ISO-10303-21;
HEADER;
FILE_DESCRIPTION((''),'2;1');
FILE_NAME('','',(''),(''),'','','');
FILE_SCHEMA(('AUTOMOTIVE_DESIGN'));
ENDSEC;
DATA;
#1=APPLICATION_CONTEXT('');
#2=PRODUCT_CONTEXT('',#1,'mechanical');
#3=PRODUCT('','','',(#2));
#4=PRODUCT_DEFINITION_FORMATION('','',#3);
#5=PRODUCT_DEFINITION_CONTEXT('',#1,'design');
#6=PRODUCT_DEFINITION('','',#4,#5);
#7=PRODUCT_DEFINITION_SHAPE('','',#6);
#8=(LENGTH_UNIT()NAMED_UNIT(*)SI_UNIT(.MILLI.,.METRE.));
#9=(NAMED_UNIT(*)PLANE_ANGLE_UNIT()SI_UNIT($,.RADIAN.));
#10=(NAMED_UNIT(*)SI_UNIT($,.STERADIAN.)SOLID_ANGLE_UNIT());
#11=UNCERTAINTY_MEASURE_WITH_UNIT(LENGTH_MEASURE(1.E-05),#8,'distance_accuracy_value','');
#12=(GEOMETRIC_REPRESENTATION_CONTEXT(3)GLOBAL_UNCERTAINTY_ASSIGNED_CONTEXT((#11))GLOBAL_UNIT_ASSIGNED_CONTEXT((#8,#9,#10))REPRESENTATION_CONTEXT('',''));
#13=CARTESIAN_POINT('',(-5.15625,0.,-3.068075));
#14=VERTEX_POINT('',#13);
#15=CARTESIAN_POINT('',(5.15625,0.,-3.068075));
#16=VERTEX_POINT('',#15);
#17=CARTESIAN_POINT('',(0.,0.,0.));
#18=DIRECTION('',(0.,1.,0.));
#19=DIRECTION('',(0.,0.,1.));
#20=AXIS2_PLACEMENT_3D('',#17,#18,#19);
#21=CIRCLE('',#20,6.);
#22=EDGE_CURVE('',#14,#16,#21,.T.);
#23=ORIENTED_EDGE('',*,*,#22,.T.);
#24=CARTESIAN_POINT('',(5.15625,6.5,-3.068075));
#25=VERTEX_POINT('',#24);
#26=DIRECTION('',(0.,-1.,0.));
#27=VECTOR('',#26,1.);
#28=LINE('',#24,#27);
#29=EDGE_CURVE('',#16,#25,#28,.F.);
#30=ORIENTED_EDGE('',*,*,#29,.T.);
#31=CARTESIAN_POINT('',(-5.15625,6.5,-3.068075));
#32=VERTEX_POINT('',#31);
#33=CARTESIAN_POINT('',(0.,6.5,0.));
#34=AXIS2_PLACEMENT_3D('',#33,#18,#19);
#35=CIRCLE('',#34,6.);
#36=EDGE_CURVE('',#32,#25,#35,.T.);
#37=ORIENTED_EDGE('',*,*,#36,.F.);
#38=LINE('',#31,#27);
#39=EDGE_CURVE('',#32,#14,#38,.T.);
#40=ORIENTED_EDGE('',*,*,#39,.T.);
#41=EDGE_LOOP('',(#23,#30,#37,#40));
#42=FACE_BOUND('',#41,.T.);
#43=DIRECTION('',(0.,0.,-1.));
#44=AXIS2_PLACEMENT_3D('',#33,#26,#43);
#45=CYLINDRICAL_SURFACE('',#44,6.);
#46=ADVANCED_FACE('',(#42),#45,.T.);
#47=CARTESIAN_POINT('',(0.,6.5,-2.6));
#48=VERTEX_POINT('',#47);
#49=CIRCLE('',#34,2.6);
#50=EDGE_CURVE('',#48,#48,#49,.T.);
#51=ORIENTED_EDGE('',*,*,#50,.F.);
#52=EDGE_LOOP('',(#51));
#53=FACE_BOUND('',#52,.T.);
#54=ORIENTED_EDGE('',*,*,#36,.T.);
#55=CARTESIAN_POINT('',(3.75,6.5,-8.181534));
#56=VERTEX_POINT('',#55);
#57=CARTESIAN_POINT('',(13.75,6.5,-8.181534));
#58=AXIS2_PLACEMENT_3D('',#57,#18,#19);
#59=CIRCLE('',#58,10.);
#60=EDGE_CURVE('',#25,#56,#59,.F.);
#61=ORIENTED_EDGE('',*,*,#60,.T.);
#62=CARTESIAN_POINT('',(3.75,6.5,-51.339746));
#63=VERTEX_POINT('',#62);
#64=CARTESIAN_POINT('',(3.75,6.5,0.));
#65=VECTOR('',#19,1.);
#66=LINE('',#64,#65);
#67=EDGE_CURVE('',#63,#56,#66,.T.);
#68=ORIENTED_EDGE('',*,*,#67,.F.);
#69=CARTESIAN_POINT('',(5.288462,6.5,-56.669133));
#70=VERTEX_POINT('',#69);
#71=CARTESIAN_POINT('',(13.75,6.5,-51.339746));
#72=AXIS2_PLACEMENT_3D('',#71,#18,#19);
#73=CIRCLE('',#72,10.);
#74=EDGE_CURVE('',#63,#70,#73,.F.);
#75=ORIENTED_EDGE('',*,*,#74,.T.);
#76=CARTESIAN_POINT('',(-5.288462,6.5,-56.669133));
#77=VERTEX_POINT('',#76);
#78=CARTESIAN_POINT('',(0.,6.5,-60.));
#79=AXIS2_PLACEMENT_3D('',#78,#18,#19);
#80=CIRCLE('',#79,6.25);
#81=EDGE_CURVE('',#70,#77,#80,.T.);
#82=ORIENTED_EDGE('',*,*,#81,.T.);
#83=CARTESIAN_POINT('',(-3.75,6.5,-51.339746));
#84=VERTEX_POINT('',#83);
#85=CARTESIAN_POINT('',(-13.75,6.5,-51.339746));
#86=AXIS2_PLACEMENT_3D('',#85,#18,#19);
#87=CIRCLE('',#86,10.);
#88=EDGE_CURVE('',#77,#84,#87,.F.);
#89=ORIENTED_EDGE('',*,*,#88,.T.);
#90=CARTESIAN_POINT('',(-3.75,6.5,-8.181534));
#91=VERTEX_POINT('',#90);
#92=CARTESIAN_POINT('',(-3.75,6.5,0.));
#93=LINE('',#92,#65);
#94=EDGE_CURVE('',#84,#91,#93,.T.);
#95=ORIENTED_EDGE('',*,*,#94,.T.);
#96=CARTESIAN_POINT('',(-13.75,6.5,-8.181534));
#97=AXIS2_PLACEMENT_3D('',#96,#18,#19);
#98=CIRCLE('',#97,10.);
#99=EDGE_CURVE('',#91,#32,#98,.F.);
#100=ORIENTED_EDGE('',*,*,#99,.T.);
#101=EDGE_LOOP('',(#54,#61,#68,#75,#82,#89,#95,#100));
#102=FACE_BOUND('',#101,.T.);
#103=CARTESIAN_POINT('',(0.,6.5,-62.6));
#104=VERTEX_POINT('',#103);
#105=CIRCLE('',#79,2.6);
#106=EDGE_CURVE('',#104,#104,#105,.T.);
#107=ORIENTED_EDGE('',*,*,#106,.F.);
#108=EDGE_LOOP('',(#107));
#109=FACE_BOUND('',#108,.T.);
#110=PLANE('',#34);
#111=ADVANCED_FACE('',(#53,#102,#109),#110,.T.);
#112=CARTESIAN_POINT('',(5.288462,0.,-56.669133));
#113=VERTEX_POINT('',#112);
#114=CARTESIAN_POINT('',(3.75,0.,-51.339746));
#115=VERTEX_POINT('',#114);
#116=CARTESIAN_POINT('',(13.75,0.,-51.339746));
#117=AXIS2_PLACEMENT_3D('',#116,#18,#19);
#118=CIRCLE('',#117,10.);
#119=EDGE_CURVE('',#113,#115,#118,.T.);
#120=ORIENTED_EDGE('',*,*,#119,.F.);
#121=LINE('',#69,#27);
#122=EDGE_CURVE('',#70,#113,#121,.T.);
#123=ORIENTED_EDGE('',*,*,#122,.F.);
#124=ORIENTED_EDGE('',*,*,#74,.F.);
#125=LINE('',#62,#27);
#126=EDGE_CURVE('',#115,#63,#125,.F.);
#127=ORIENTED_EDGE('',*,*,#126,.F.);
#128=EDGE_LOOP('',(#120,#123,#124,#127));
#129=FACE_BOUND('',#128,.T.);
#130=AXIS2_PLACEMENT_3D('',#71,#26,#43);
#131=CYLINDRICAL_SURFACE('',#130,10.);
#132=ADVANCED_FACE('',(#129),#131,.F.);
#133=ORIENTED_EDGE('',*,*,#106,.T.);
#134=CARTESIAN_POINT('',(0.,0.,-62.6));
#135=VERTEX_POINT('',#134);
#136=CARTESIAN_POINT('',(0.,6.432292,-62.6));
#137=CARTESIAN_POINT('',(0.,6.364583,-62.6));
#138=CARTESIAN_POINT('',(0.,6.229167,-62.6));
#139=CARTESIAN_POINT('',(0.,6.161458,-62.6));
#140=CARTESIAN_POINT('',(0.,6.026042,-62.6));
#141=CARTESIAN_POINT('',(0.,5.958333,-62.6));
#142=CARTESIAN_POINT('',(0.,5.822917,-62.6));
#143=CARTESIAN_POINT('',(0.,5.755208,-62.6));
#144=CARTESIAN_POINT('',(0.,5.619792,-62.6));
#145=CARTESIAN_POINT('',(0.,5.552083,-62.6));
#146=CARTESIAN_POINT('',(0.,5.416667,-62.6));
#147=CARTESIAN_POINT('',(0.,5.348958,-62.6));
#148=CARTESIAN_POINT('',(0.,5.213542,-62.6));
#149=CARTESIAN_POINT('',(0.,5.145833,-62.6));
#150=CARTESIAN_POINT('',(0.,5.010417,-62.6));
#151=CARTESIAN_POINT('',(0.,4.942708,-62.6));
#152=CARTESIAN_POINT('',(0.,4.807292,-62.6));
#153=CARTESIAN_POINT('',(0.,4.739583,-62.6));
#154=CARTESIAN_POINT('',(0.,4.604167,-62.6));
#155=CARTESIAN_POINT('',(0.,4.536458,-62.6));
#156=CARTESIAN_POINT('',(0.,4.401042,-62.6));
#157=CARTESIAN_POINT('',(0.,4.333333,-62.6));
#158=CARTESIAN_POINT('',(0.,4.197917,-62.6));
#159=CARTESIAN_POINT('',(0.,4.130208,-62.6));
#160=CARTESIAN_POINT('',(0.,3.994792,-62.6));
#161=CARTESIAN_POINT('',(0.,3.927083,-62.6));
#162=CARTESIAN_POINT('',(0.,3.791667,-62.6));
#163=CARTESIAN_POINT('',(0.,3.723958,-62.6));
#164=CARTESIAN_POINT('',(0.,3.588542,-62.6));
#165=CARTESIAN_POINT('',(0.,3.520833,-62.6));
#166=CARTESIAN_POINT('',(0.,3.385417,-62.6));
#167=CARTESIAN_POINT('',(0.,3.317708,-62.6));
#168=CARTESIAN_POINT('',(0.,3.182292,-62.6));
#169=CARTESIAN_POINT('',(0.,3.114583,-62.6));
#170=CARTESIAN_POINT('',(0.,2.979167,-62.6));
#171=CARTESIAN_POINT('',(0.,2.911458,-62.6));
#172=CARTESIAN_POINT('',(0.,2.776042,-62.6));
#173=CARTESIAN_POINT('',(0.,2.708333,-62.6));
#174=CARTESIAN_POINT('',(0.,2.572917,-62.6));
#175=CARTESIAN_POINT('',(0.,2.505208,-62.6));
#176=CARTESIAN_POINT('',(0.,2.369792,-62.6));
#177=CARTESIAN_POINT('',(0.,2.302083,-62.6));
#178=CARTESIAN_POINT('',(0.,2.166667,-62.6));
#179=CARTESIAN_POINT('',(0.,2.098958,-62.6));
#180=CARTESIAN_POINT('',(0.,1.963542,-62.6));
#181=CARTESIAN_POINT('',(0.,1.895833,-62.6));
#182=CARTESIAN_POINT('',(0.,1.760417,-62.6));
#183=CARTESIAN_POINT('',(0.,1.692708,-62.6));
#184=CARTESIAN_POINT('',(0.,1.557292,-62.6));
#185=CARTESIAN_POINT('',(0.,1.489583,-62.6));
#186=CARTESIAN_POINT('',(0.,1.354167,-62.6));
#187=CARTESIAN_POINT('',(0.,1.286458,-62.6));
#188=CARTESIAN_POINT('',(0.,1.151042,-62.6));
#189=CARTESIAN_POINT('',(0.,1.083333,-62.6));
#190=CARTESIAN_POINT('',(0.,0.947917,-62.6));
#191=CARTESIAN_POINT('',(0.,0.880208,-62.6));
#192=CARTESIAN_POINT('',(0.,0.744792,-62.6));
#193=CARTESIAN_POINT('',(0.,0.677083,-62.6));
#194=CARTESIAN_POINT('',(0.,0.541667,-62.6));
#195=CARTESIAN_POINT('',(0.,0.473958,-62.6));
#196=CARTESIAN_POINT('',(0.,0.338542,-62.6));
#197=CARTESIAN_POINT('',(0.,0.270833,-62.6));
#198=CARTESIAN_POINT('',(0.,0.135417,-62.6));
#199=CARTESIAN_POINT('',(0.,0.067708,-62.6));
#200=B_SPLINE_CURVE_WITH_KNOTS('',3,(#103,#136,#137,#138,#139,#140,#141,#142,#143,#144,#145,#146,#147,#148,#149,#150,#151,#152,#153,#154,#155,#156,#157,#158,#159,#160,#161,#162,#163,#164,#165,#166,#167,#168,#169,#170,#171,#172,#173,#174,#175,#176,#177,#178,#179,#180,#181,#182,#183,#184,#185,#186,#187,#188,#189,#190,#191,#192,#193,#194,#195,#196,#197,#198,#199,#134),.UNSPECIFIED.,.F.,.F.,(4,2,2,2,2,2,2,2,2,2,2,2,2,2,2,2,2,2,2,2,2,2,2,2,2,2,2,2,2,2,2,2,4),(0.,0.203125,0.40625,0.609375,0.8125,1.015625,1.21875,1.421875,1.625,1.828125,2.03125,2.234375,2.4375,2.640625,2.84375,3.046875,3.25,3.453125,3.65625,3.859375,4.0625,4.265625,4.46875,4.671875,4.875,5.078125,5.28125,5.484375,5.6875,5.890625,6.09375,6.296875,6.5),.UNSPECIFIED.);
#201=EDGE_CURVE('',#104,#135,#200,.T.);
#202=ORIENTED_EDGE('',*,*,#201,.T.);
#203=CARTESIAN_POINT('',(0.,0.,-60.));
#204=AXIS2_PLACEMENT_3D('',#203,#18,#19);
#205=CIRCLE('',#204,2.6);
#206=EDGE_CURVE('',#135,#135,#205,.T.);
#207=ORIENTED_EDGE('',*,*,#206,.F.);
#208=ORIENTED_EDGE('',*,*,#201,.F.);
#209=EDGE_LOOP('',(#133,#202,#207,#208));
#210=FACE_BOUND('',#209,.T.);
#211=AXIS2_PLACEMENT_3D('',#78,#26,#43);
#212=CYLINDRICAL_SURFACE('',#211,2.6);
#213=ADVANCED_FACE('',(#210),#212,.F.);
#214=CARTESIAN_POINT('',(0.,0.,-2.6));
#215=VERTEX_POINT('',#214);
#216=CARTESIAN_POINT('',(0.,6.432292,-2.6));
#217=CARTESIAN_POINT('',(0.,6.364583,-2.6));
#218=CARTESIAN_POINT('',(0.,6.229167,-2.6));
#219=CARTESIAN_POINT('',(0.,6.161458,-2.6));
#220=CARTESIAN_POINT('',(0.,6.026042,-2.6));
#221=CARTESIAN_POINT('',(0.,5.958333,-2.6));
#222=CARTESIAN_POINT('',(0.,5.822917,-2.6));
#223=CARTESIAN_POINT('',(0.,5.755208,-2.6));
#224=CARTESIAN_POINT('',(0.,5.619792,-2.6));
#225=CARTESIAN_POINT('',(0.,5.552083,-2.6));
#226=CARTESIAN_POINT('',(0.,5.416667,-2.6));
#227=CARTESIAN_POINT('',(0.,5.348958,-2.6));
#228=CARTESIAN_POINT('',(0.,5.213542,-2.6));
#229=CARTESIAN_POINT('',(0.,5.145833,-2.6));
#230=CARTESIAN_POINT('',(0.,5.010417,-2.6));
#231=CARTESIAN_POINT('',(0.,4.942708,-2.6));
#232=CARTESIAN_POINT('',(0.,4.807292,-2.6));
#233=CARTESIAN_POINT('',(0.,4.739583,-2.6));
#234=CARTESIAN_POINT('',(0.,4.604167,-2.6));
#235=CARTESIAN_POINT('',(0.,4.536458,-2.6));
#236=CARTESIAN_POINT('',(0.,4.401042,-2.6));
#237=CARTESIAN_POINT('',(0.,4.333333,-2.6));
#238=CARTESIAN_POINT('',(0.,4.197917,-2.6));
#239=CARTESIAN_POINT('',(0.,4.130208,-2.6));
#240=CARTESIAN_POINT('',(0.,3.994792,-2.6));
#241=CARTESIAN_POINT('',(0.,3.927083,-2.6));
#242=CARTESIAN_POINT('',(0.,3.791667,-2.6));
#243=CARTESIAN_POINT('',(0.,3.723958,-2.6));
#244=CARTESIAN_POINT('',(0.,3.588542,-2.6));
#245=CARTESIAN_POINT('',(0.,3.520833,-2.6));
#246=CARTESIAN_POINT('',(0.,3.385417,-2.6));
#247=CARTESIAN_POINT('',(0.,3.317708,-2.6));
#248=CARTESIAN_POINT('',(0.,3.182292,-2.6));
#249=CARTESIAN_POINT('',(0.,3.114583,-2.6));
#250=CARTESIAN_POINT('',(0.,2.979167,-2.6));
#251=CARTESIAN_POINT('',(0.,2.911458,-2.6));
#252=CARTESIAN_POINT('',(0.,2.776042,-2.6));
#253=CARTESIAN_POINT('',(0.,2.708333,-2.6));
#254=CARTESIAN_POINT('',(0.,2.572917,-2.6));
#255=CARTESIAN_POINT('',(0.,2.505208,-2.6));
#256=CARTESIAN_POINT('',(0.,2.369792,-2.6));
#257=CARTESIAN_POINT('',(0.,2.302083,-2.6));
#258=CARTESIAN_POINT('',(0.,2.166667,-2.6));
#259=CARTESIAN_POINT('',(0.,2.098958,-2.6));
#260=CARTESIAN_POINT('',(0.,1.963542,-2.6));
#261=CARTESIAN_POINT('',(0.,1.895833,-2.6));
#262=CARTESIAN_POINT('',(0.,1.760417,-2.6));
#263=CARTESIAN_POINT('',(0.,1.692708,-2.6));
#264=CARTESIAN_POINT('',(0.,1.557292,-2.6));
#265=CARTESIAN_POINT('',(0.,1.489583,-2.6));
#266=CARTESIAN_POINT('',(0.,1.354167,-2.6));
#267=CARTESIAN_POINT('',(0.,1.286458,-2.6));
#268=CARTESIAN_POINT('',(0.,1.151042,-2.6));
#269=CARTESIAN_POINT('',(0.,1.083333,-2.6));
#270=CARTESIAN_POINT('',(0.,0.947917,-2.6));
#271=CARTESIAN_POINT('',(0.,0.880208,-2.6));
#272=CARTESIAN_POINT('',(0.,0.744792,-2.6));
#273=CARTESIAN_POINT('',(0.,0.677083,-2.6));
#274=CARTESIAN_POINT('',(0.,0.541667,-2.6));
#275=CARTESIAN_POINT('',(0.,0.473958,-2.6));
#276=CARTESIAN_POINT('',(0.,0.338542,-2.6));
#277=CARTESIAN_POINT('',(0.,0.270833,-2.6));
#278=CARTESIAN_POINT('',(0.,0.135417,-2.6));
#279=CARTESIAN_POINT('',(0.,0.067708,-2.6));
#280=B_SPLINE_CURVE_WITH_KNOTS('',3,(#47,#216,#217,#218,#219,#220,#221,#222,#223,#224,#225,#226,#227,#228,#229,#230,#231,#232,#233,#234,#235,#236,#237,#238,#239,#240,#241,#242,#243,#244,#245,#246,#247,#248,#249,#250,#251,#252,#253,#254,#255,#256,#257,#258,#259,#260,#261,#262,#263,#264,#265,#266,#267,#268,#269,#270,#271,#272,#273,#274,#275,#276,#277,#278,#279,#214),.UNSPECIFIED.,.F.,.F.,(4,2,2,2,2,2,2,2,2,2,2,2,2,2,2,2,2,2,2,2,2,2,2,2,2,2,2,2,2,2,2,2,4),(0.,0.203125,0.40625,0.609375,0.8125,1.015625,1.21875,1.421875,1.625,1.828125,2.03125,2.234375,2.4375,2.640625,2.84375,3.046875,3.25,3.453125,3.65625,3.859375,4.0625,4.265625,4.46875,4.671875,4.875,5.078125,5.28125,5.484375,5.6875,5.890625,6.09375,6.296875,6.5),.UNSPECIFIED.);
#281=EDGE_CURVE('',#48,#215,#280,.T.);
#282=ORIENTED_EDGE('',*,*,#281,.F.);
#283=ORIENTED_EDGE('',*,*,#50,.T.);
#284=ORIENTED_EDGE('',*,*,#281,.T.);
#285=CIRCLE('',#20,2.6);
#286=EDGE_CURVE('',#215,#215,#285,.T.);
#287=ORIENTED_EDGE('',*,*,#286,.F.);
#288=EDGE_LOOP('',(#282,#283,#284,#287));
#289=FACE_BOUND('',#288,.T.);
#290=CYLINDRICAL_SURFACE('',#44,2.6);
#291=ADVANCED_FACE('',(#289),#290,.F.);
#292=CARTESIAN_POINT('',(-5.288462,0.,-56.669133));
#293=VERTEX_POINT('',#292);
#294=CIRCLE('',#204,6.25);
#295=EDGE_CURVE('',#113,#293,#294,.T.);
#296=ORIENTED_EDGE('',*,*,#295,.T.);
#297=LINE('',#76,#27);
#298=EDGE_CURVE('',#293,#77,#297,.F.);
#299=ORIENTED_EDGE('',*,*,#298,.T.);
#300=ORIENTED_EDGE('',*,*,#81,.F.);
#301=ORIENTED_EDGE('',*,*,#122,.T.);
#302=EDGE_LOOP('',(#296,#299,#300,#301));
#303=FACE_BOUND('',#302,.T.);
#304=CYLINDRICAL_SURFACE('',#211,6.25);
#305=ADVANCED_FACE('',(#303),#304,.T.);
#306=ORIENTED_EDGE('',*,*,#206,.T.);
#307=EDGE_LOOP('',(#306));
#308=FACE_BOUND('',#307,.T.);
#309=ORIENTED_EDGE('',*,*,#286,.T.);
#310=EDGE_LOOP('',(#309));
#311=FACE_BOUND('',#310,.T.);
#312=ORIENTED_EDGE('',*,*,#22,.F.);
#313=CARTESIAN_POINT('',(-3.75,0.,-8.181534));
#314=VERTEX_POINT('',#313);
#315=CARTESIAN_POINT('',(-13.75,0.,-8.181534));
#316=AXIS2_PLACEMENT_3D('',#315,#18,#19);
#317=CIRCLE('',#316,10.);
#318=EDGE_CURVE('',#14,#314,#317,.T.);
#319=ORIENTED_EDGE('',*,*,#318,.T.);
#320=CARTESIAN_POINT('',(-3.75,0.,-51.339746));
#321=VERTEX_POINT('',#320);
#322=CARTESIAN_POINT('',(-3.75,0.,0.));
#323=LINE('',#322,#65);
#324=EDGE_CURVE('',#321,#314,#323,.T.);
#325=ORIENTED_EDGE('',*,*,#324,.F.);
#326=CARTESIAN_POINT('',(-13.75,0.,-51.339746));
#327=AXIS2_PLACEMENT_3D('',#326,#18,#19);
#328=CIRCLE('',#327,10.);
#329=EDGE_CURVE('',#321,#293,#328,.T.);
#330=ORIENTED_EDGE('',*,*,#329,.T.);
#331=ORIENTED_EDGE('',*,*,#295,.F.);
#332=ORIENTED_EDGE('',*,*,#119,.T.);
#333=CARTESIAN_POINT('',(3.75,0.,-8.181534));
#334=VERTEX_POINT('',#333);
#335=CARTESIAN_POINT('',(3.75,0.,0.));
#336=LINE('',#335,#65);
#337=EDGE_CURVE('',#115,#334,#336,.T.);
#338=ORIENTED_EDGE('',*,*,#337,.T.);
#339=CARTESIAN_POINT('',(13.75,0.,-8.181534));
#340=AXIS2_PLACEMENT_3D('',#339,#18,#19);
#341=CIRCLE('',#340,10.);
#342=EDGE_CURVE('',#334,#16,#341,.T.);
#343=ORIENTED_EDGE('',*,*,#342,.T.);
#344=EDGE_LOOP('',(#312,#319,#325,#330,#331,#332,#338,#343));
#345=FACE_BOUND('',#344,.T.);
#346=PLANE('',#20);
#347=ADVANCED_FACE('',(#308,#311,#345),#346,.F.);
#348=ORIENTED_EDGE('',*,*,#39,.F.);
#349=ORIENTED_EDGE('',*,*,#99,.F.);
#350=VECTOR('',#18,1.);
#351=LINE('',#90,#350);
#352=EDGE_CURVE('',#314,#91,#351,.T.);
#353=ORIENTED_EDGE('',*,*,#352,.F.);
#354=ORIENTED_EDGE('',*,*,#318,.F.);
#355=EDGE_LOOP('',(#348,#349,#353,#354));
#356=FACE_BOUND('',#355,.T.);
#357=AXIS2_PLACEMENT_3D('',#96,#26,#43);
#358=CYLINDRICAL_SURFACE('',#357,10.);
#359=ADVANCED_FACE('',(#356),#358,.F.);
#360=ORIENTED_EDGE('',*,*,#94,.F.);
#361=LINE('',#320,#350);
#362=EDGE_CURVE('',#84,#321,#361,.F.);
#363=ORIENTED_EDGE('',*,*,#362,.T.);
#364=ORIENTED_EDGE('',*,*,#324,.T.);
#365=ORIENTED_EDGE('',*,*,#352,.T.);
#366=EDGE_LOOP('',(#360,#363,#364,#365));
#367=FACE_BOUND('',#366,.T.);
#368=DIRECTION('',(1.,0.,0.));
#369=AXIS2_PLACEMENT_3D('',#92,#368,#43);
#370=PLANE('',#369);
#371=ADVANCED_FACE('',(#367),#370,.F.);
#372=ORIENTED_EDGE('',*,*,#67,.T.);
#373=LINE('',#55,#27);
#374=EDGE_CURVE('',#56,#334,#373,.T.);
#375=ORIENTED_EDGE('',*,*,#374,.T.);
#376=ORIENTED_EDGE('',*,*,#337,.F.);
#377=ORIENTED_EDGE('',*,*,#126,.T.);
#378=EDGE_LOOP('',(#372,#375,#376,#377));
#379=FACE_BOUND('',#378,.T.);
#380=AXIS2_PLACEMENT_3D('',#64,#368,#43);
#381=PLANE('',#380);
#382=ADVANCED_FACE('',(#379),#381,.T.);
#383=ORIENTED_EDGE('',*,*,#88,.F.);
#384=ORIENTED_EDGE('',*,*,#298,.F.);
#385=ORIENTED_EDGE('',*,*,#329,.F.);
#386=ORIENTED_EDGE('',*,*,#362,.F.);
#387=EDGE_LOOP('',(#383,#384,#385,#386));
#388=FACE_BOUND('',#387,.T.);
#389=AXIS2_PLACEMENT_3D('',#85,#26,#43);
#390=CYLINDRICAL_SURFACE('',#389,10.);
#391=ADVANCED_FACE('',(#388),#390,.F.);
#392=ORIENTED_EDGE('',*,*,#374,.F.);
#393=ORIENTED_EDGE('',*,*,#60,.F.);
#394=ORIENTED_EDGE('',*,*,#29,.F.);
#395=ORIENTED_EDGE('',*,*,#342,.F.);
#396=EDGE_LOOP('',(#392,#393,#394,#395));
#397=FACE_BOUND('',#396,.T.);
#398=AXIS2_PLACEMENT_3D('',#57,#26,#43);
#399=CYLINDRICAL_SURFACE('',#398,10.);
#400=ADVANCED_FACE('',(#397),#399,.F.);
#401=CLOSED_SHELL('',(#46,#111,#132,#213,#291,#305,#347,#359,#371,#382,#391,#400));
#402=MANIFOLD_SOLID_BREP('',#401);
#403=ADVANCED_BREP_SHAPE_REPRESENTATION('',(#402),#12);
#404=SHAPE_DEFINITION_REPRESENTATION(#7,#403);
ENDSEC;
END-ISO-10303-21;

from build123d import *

# Parameters (mm, degrees)
SKETCH1_R           = 6.25
SKETCH1_R_2         = 2.6
SKETCH1_R_3         = 6
SKETCH1_W           = 7.5
SKETCH1_H           = 50.316251501
BOSS_EXTRUDE1_DEPTH = 6.5
FILLET1_R           = 10


with BuildPart() as part:
    # Sketch1 → Boss-Extrude1 (new body)
    # profile 1 of 3: a face of its own
    with BuildSketch(Plane(origin=(0, 0, 0), x_dir=(1, 0, 0), z_dir=(0, 1, 0))):
        with Locations((0, 60)):
            Circle(SKETCH1_R)
        with Locations(Location((0, 60, 0), (0, 0, 90))):
            Circle(SKETCH1_R_2, mode=Mode.SUBTRACT)
    # profile 2 of 3: a face of its own
    with BuildSketch(Plane(origin=(0, 0, 0), x_dir=(1, 0, 0), z_dir=(0, 1, 0))):
        Circle(SKETCH1_R_3)
        with Locations(Location((0, 0, 0), (0, 0, 90))):
            Circle(SKETCH1_R_2, mode=Mode.SUBTRACT)
    # profile 3 of 3: a face of its own
    with BuildSketch(Plane(origin=(0, 0, 0), x_dir=(1, 0, 0), z_dir=(0, 1, 0))):
        with Locations((0, 29.84187425)):
            Rectangle(SKETCH1_W, SKETCH1_H)
    extrude(amount=BOSS_EXTRUDE1_DEPTH)

    # Fillet1
    fillet1_edges = [part.edges().sort_by_distance(p)[0] for p in [
        (-3.75, 3.25, -55),
        (3.75, 3.25, -55),
        (3.75, 3.25, -4.683748499),
        (-3.75, 3.25, -4.683748499),
    ]]
    fillet(fillet1_edges, radius=FILLET1_R)


solid = part.part
